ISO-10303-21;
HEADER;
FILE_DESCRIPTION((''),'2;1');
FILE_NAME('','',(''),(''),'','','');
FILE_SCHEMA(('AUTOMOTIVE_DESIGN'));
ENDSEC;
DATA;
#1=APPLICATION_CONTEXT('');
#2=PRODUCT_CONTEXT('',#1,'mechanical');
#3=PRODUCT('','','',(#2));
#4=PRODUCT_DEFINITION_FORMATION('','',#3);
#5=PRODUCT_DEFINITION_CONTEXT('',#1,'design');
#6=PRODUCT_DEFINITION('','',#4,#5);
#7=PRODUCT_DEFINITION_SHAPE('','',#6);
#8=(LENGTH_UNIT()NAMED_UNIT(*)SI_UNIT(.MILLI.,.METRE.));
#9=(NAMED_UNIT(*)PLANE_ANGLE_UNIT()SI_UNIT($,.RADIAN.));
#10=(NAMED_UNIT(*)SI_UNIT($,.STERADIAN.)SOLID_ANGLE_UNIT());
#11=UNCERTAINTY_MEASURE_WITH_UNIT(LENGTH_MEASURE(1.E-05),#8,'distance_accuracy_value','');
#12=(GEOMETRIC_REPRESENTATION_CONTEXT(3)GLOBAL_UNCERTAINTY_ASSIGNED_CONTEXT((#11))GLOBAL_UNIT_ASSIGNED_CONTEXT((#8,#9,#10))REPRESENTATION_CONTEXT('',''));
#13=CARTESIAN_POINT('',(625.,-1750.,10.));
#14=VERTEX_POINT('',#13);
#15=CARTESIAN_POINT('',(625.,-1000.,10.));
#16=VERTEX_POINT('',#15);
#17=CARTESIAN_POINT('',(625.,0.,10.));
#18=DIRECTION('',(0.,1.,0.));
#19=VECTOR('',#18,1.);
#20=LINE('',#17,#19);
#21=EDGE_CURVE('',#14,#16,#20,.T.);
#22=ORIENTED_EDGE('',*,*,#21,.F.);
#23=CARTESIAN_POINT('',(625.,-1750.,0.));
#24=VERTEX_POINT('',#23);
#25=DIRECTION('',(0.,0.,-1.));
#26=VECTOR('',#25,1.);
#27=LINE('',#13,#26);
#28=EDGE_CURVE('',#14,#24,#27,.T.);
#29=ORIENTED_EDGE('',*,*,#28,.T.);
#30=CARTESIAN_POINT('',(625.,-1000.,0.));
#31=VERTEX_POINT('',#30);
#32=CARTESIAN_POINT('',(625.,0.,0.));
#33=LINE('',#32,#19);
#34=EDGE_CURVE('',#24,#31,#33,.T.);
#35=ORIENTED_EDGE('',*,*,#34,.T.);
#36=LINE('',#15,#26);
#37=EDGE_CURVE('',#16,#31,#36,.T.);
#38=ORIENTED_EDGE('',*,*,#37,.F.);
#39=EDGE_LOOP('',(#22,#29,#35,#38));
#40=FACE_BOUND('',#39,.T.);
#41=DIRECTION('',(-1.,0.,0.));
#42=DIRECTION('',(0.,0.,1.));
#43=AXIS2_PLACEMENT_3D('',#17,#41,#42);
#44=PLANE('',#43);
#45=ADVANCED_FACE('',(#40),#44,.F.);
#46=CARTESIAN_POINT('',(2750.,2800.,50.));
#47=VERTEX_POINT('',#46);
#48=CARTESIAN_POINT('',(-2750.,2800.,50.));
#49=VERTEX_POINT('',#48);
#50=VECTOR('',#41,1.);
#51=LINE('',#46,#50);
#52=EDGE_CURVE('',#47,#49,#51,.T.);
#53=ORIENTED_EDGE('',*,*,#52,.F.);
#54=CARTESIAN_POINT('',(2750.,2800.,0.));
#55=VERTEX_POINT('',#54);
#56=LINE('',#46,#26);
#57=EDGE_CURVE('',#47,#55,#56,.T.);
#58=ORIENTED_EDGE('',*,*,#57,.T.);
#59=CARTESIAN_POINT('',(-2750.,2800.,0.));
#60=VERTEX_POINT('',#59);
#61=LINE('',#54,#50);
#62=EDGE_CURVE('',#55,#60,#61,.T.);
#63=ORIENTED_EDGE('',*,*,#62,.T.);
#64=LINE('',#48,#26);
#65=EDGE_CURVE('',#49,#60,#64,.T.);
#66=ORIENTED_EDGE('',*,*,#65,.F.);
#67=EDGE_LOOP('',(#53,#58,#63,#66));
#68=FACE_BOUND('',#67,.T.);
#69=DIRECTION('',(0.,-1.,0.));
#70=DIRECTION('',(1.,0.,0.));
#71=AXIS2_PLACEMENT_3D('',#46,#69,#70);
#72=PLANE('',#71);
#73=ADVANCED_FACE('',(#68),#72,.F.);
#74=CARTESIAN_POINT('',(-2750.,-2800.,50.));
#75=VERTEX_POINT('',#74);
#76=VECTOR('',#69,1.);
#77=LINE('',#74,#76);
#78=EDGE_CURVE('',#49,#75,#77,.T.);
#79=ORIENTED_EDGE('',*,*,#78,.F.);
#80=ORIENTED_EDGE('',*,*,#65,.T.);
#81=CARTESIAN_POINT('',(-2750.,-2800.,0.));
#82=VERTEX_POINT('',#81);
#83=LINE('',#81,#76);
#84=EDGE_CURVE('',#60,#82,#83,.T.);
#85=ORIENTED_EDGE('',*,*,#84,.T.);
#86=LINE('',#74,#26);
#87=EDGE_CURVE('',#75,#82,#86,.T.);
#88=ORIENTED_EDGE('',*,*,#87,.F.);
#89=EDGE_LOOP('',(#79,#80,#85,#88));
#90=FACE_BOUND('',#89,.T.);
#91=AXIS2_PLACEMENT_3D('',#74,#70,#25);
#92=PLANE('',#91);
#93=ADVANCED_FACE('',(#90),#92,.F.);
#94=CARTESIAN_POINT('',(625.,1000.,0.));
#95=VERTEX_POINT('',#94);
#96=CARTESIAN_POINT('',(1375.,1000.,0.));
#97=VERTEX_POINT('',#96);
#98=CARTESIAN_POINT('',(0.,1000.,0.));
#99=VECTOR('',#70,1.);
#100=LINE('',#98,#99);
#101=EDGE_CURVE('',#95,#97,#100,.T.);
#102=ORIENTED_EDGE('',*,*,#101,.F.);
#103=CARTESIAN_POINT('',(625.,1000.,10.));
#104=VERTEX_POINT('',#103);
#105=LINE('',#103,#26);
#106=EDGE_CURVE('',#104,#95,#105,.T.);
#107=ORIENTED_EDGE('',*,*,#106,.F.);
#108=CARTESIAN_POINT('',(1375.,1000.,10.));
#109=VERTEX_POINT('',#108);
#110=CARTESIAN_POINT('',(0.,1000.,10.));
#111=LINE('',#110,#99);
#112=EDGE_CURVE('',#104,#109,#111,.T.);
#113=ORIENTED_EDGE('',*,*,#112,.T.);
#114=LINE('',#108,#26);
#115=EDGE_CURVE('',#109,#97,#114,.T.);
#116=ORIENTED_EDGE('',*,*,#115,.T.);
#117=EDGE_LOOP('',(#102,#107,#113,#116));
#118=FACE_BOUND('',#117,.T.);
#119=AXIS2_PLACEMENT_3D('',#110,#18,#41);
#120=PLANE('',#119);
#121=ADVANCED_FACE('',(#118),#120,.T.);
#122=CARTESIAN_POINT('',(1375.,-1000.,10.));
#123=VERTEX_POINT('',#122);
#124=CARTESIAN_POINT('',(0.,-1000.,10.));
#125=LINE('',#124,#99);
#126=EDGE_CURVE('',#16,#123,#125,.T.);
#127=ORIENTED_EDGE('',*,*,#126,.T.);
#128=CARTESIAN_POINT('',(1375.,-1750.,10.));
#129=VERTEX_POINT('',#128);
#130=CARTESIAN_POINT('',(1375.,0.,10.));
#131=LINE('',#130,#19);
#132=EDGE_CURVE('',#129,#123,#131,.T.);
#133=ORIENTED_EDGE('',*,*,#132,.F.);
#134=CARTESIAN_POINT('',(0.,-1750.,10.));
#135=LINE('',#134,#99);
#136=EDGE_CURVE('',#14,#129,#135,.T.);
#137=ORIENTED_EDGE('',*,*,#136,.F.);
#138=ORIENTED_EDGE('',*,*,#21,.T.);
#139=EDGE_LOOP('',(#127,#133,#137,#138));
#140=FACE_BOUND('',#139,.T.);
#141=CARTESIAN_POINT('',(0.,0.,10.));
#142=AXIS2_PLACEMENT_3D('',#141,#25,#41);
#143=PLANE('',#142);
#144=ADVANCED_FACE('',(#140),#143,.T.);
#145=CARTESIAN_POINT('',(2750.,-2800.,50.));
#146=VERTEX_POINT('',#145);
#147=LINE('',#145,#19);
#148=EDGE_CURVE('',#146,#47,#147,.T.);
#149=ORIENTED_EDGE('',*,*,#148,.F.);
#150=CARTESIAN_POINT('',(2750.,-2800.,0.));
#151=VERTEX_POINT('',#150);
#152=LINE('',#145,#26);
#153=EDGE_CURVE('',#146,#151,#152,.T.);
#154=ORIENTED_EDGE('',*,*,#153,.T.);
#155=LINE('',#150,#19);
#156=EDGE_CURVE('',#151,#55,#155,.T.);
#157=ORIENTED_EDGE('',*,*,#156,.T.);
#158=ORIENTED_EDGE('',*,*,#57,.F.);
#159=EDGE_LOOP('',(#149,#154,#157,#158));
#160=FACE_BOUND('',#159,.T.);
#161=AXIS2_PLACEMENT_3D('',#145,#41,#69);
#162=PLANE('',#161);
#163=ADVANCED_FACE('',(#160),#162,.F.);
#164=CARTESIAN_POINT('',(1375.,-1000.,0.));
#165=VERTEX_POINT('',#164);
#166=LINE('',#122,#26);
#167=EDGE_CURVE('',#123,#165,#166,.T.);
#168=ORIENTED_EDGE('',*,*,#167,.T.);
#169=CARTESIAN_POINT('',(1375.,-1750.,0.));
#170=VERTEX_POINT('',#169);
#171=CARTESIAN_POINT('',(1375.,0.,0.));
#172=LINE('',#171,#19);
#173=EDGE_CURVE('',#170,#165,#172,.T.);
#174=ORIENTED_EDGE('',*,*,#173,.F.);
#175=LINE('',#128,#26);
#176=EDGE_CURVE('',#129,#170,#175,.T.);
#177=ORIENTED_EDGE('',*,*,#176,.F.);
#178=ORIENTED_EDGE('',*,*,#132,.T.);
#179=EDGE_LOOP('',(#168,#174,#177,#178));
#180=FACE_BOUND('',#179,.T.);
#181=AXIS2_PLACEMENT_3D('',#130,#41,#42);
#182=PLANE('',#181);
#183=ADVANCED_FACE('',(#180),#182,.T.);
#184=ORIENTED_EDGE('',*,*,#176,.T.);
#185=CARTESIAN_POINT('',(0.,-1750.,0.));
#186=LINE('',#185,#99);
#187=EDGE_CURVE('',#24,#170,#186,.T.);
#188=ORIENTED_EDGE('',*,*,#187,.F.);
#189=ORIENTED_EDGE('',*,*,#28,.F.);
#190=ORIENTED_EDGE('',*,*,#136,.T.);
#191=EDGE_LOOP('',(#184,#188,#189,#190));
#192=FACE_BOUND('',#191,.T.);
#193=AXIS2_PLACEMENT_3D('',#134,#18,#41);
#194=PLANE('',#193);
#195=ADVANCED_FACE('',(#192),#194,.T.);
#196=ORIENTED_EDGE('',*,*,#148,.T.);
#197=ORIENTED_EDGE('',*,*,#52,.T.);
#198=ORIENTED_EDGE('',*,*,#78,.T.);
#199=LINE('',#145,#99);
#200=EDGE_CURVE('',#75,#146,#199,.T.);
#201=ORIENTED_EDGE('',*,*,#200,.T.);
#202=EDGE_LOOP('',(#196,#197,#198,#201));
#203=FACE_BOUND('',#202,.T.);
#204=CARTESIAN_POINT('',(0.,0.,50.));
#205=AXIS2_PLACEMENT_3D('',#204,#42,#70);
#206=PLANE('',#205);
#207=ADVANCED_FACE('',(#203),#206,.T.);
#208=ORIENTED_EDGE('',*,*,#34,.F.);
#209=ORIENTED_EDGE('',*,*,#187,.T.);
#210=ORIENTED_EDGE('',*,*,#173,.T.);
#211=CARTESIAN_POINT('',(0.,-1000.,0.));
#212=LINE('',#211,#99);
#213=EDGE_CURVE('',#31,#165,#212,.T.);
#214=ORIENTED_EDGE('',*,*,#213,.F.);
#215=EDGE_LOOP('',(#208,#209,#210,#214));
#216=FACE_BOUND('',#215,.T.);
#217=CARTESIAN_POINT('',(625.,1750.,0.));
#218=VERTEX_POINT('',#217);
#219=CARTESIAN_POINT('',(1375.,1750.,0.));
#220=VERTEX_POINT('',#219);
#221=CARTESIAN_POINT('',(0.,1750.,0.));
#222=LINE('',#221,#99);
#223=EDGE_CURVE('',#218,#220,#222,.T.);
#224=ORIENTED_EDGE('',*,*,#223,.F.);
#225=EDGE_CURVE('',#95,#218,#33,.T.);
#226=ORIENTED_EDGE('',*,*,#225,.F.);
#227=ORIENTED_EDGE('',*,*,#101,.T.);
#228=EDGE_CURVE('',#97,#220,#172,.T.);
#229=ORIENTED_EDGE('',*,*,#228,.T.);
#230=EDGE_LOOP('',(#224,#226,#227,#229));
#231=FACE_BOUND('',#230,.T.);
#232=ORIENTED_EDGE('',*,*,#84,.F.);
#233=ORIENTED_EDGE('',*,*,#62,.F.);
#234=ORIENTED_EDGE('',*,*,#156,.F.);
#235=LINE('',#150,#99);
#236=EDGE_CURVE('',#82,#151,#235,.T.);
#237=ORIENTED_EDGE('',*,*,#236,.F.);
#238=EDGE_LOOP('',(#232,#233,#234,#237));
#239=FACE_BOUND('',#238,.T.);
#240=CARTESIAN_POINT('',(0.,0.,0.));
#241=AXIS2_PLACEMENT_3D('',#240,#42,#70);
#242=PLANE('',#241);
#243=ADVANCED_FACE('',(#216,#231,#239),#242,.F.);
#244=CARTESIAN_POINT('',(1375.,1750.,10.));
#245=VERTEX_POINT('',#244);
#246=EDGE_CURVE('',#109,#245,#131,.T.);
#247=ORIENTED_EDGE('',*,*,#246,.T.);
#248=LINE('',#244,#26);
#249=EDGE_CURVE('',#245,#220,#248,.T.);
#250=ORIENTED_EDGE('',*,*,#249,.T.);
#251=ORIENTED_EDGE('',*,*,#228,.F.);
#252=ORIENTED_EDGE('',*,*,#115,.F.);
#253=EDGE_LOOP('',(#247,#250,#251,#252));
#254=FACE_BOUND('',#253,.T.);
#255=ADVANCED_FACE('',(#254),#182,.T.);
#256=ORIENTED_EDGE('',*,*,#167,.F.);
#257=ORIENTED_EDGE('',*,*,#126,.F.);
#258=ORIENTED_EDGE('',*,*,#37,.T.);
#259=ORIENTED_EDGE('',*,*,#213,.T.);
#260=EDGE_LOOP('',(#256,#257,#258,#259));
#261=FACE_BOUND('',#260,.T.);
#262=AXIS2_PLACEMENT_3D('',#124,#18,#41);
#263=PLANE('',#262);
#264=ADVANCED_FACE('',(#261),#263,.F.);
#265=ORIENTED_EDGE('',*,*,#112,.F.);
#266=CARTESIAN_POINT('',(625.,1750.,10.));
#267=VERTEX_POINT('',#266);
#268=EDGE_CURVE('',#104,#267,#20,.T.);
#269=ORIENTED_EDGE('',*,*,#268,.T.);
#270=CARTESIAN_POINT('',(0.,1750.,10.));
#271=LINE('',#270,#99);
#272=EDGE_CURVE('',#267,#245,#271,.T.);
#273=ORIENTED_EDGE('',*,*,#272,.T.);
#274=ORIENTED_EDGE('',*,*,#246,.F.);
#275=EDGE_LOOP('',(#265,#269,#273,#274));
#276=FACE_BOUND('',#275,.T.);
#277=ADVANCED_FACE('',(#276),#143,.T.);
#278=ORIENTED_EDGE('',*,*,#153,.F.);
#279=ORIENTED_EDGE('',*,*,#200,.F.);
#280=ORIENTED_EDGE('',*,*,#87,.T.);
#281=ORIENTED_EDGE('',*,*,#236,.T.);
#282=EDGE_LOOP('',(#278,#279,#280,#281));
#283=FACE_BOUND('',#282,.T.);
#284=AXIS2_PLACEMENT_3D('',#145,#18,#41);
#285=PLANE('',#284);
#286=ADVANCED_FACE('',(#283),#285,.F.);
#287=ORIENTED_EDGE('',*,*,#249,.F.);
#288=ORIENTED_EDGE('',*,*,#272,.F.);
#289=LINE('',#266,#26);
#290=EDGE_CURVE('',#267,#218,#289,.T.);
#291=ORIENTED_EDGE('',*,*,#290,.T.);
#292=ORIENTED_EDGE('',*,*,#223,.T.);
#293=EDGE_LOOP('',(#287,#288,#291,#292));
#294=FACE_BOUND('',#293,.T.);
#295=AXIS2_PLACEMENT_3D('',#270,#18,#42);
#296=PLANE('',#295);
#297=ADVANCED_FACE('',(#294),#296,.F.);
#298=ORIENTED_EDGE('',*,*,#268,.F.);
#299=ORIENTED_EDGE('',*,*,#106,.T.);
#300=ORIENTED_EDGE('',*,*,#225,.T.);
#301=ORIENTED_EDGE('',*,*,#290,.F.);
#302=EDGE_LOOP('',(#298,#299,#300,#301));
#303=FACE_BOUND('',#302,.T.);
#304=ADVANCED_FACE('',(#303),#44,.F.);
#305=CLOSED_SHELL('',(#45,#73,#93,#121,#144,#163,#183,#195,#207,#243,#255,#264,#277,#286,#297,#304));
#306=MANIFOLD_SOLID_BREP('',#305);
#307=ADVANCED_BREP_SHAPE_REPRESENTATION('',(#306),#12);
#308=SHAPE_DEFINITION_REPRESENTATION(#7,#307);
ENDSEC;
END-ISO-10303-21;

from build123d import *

# Parameters (mm, degrees)
SKETCH1_W           = 5500
SKETCH1_H           = 5600
BOSS_EXTRUDE1_DEPTH = 50
SKETCH2_W           = 375
SKETCH2_H           = 375
CUT_EXTRUDE1_DEPTH  = 10


with BuildPart() as part:
    # Sketch1 → Boss-Extrude1 (new body)
    with BuildSketch(Plane.XY):
        Rectangle(SKETCH1_W, SKETCH1_H)
    extrude(amount=BOSS_EXTRUDE1_DEPTH)

    # Sketch2 → Cut-Extrude1 (cut)
    with BuildSketch(Plane(origin=(0, 0, 0), x_dir=(-1, 0, 0), z_dir=(0, 0, -1))):
        with Locations((-1187.5, 1562.5)):
            Rectangle(SKETCH2_W, SKETCH2_H)
        with Locations((-812.5, 1187.5)):
            Rectangle(SKETCH2_W, SKETCH2_H)
        with Locations((-1187.5, 1187.5)):
            Rectangle(SKETCH2_W, SKETCH2_H)
        with Locations((-812.5, 1562.5)):
            Rectangle(SKETCH2_W, SKETCH2_H)
        with Locations((-1187.5, -1562.5)):
            Rectangle(SKETCH2_W, SKETCH2_H)
        with Locations((-812.5, -1562.5)):
            Rectangle(SKETCH2_W, SKETCH2_H)
        with Locations((-812.5, -1187.5)):
            Rectangle(SKETCH2_W, SKETCH2_H)
        with Locations((-1187.5, -1187.5)):
            Rectangle(SKETCH2_W, SKETCH2_H)
    extrude(amount=-CUT_EXTRUDE1_DEPTH, mode=Mode.SUBTRACT)


solid = part.part
